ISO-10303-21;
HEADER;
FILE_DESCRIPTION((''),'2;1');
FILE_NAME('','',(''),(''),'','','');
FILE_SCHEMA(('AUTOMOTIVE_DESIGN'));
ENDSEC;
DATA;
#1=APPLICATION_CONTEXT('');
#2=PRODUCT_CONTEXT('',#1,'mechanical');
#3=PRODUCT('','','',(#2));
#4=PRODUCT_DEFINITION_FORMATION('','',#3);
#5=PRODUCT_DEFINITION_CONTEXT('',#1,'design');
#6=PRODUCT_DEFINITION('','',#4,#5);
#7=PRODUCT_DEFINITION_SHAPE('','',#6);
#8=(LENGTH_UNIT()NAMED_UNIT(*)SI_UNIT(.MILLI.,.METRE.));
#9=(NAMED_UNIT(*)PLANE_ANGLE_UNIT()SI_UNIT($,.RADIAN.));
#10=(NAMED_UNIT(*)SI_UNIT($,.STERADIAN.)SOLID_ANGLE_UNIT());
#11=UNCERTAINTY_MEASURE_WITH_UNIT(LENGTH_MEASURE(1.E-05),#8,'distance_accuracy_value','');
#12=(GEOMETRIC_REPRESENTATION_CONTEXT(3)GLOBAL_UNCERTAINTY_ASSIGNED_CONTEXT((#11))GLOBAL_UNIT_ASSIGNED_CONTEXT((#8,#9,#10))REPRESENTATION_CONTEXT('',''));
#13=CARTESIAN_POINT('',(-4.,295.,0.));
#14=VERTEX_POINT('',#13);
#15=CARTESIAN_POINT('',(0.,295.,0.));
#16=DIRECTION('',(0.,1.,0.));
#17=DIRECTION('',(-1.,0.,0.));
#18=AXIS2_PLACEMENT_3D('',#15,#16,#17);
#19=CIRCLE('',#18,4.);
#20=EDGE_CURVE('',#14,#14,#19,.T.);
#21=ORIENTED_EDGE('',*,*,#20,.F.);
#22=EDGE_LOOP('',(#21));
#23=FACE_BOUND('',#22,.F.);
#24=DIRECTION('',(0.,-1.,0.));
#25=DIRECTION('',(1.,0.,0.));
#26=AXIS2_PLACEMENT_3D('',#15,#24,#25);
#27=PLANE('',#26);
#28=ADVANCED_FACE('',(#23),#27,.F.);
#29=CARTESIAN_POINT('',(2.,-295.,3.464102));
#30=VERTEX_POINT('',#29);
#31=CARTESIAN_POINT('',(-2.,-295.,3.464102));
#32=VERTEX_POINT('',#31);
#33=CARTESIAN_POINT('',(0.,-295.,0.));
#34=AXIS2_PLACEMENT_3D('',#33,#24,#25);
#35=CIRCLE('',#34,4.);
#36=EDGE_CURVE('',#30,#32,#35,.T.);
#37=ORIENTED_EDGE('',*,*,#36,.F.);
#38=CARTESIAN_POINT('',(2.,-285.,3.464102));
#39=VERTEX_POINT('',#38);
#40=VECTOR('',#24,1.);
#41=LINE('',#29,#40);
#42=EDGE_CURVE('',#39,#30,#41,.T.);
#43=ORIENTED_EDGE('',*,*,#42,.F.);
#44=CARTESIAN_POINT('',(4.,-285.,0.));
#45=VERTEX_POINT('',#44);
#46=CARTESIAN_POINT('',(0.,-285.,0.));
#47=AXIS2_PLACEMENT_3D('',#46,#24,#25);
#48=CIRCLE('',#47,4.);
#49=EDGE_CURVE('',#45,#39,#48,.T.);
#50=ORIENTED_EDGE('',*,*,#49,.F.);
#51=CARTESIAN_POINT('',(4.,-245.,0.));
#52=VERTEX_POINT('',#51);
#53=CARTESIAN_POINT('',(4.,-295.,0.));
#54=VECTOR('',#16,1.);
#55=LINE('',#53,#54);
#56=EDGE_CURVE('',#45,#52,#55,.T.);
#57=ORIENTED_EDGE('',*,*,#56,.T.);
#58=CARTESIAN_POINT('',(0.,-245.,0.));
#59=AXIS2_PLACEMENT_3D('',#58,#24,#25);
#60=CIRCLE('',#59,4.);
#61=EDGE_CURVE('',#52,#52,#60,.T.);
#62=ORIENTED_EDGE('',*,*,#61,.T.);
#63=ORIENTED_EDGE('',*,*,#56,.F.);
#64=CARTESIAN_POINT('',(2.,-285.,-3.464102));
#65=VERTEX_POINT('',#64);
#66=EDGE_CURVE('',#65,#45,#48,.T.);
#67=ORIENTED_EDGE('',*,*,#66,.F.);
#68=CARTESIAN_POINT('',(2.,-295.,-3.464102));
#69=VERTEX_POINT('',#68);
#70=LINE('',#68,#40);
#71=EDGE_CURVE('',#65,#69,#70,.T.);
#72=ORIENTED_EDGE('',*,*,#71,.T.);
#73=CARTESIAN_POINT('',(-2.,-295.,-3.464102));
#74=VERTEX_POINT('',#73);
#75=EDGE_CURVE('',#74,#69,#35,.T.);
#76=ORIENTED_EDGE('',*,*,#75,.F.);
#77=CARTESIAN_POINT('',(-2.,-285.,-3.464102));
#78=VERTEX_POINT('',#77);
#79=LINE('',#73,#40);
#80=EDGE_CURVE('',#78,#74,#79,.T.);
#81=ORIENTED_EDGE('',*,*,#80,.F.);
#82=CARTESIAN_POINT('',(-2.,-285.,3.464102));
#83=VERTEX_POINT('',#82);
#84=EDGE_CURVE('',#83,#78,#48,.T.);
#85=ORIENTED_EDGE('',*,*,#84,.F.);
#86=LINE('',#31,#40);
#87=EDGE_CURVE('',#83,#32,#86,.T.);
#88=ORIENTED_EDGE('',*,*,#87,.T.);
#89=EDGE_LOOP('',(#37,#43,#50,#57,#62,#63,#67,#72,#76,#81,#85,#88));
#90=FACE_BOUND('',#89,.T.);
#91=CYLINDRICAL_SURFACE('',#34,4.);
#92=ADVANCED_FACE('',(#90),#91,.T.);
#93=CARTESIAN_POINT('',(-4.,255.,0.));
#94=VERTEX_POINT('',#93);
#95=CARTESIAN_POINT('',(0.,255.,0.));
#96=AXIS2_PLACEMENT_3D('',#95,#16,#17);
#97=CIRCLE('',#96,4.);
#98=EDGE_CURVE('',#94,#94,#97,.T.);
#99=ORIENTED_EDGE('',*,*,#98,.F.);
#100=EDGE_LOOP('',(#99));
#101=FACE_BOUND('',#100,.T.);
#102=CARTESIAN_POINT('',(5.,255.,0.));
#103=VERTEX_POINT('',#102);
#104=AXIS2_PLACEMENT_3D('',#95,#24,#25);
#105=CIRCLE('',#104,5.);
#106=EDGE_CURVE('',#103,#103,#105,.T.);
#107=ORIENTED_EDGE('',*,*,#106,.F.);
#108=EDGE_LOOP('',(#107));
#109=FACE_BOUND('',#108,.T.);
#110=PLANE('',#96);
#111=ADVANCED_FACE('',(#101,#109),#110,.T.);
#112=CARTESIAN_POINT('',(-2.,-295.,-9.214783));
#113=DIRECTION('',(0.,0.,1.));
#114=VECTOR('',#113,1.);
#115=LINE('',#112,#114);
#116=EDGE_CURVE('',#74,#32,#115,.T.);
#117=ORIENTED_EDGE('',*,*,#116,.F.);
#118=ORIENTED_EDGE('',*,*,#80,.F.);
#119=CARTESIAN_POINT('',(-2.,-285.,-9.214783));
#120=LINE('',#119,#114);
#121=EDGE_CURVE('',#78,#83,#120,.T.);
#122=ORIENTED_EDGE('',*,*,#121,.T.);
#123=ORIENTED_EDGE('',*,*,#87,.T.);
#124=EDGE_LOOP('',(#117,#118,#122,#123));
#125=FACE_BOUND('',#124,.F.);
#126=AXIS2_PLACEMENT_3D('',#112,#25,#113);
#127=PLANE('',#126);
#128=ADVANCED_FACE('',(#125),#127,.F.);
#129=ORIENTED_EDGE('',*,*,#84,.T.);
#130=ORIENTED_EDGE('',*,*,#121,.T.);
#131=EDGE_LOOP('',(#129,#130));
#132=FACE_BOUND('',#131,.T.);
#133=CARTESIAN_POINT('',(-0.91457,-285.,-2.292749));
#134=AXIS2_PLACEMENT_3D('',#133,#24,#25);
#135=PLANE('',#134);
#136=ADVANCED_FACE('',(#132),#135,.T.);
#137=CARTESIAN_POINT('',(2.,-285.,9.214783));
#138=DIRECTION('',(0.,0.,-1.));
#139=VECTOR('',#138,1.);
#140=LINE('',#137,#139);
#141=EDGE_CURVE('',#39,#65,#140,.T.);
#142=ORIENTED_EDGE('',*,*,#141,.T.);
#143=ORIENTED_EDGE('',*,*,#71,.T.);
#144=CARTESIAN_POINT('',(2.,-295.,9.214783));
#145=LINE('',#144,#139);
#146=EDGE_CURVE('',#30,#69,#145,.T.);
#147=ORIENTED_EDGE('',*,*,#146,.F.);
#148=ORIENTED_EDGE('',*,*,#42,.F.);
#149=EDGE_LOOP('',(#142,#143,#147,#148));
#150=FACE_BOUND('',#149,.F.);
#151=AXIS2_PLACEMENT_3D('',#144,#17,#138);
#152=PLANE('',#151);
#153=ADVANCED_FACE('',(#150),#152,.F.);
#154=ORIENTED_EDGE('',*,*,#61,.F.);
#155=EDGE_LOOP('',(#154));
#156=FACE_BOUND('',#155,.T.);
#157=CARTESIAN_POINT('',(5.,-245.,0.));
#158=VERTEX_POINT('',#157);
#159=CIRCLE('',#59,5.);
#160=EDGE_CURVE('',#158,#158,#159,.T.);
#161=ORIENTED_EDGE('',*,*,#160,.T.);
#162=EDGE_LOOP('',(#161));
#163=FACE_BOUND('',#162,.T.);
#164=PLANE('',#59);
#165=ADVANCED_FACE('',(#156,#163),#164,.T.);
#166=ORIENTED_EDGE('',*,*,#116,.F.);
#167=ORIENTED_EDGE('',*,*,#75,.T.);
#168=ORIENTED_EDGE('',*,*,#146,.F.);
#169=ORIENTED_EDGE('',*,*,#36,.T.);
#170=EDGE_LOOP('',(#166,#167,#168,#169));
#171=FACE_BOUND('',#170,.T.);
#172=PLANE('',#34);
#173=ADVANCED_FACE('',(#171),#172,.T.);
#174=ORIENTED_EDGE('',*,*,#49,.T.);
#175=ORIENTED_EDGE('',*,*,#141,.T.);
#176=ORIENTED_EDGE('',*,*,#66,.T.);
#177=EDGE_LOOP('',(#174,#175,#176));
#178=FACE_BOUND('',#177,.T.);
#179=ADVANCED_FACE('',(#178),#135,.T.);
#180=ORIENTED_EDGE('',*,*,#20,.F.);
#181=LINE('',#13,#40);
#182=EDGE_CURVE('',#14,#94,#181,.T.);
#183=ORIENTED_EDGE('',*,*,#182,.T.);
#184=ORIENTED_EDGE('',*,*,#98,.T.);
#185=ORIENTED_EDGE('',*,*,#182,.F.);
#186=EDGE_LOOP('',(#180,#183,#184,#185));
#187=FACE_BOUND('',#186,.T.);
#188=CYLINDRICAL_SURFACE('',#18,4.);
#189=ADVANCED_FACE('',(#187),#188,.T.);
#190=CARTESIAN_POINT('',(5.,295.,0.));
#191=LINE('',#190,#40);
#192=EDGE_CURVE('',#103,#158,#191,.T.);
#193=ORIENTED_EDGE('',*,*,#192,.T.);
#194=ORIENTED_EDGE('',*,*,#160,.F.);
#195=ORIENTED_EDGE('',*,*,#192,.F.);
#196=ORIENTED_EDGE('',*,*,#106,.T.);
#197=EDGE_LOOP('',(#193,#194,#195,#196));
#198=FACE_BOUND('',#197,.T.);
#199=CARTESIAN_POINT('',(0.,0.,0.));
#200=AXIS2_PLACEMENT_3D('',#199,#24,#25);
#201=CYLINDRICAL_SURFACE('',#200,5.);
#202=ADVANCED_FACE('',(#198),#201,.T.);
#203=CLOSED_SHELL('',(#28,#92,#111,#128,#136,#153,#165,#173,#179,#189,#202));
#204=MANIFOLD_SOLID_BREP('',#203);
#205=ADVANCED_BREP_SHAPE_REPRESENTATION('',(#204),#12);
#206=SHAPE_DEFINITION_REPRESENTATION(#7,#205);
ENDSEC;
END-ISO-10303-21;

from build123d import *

# Parameters (mm, degrees)
F0_R     = 5
F1_DEPTH = 295
F2_R     = 9
F2_R_2   = 4
F3_DEPTH = 50
F4_R     = 5
F4_R_2   = 4
F5_DEPTH = 40
F7_DEPTH = 10


with BuildPart() as f1:
    # F0 (on Front) → F1 (new body, symmetric)
    with BuildSketch(Plane.XZ):
        Circle(F0_R)
    extrude(amount=F1_DEPTH, both=True)

    # F2 (on face) → F3 (cut)
    with BuildSketch(Plane.XZ.offset(295)):
        Circle(F2_R)
        Circle(F2_R_2, mode=Mode.SUBTRACT)
    extrude(amount=-F3_DEPTH, mode=Mode.SUBTRACT)

    # F4 (on face) → F5 (cut)
    with BuildSketch(Plane(origin=(0, 295, 0), x_dir=(-1, 0, 0), z_dir=(0, 1, 0))):
        Circle(F4_R)
        Circle(F4_R_2, mode=Mode.SUBTRACT)
    extrude(amount=-F5_DEPTH, mode=Mode.SUBTRACT)

    # F6 (on face) → F7 (cut)
    with BuildSketch(Plane.XZ.offset(295)):
        Polygon((2, 9.214783), (2, -9.214783), (-2, -9.214783), (-2, 9.214783), (-11.609545, 9.214783), (-11.609545, -12.255539), (8.235434, -15.570633), (8.235434, 9.214783), align=None)
    extrude(amount=-F7_DEPTH, mode=Mode.SUBTRACT)


solid = f1.part
